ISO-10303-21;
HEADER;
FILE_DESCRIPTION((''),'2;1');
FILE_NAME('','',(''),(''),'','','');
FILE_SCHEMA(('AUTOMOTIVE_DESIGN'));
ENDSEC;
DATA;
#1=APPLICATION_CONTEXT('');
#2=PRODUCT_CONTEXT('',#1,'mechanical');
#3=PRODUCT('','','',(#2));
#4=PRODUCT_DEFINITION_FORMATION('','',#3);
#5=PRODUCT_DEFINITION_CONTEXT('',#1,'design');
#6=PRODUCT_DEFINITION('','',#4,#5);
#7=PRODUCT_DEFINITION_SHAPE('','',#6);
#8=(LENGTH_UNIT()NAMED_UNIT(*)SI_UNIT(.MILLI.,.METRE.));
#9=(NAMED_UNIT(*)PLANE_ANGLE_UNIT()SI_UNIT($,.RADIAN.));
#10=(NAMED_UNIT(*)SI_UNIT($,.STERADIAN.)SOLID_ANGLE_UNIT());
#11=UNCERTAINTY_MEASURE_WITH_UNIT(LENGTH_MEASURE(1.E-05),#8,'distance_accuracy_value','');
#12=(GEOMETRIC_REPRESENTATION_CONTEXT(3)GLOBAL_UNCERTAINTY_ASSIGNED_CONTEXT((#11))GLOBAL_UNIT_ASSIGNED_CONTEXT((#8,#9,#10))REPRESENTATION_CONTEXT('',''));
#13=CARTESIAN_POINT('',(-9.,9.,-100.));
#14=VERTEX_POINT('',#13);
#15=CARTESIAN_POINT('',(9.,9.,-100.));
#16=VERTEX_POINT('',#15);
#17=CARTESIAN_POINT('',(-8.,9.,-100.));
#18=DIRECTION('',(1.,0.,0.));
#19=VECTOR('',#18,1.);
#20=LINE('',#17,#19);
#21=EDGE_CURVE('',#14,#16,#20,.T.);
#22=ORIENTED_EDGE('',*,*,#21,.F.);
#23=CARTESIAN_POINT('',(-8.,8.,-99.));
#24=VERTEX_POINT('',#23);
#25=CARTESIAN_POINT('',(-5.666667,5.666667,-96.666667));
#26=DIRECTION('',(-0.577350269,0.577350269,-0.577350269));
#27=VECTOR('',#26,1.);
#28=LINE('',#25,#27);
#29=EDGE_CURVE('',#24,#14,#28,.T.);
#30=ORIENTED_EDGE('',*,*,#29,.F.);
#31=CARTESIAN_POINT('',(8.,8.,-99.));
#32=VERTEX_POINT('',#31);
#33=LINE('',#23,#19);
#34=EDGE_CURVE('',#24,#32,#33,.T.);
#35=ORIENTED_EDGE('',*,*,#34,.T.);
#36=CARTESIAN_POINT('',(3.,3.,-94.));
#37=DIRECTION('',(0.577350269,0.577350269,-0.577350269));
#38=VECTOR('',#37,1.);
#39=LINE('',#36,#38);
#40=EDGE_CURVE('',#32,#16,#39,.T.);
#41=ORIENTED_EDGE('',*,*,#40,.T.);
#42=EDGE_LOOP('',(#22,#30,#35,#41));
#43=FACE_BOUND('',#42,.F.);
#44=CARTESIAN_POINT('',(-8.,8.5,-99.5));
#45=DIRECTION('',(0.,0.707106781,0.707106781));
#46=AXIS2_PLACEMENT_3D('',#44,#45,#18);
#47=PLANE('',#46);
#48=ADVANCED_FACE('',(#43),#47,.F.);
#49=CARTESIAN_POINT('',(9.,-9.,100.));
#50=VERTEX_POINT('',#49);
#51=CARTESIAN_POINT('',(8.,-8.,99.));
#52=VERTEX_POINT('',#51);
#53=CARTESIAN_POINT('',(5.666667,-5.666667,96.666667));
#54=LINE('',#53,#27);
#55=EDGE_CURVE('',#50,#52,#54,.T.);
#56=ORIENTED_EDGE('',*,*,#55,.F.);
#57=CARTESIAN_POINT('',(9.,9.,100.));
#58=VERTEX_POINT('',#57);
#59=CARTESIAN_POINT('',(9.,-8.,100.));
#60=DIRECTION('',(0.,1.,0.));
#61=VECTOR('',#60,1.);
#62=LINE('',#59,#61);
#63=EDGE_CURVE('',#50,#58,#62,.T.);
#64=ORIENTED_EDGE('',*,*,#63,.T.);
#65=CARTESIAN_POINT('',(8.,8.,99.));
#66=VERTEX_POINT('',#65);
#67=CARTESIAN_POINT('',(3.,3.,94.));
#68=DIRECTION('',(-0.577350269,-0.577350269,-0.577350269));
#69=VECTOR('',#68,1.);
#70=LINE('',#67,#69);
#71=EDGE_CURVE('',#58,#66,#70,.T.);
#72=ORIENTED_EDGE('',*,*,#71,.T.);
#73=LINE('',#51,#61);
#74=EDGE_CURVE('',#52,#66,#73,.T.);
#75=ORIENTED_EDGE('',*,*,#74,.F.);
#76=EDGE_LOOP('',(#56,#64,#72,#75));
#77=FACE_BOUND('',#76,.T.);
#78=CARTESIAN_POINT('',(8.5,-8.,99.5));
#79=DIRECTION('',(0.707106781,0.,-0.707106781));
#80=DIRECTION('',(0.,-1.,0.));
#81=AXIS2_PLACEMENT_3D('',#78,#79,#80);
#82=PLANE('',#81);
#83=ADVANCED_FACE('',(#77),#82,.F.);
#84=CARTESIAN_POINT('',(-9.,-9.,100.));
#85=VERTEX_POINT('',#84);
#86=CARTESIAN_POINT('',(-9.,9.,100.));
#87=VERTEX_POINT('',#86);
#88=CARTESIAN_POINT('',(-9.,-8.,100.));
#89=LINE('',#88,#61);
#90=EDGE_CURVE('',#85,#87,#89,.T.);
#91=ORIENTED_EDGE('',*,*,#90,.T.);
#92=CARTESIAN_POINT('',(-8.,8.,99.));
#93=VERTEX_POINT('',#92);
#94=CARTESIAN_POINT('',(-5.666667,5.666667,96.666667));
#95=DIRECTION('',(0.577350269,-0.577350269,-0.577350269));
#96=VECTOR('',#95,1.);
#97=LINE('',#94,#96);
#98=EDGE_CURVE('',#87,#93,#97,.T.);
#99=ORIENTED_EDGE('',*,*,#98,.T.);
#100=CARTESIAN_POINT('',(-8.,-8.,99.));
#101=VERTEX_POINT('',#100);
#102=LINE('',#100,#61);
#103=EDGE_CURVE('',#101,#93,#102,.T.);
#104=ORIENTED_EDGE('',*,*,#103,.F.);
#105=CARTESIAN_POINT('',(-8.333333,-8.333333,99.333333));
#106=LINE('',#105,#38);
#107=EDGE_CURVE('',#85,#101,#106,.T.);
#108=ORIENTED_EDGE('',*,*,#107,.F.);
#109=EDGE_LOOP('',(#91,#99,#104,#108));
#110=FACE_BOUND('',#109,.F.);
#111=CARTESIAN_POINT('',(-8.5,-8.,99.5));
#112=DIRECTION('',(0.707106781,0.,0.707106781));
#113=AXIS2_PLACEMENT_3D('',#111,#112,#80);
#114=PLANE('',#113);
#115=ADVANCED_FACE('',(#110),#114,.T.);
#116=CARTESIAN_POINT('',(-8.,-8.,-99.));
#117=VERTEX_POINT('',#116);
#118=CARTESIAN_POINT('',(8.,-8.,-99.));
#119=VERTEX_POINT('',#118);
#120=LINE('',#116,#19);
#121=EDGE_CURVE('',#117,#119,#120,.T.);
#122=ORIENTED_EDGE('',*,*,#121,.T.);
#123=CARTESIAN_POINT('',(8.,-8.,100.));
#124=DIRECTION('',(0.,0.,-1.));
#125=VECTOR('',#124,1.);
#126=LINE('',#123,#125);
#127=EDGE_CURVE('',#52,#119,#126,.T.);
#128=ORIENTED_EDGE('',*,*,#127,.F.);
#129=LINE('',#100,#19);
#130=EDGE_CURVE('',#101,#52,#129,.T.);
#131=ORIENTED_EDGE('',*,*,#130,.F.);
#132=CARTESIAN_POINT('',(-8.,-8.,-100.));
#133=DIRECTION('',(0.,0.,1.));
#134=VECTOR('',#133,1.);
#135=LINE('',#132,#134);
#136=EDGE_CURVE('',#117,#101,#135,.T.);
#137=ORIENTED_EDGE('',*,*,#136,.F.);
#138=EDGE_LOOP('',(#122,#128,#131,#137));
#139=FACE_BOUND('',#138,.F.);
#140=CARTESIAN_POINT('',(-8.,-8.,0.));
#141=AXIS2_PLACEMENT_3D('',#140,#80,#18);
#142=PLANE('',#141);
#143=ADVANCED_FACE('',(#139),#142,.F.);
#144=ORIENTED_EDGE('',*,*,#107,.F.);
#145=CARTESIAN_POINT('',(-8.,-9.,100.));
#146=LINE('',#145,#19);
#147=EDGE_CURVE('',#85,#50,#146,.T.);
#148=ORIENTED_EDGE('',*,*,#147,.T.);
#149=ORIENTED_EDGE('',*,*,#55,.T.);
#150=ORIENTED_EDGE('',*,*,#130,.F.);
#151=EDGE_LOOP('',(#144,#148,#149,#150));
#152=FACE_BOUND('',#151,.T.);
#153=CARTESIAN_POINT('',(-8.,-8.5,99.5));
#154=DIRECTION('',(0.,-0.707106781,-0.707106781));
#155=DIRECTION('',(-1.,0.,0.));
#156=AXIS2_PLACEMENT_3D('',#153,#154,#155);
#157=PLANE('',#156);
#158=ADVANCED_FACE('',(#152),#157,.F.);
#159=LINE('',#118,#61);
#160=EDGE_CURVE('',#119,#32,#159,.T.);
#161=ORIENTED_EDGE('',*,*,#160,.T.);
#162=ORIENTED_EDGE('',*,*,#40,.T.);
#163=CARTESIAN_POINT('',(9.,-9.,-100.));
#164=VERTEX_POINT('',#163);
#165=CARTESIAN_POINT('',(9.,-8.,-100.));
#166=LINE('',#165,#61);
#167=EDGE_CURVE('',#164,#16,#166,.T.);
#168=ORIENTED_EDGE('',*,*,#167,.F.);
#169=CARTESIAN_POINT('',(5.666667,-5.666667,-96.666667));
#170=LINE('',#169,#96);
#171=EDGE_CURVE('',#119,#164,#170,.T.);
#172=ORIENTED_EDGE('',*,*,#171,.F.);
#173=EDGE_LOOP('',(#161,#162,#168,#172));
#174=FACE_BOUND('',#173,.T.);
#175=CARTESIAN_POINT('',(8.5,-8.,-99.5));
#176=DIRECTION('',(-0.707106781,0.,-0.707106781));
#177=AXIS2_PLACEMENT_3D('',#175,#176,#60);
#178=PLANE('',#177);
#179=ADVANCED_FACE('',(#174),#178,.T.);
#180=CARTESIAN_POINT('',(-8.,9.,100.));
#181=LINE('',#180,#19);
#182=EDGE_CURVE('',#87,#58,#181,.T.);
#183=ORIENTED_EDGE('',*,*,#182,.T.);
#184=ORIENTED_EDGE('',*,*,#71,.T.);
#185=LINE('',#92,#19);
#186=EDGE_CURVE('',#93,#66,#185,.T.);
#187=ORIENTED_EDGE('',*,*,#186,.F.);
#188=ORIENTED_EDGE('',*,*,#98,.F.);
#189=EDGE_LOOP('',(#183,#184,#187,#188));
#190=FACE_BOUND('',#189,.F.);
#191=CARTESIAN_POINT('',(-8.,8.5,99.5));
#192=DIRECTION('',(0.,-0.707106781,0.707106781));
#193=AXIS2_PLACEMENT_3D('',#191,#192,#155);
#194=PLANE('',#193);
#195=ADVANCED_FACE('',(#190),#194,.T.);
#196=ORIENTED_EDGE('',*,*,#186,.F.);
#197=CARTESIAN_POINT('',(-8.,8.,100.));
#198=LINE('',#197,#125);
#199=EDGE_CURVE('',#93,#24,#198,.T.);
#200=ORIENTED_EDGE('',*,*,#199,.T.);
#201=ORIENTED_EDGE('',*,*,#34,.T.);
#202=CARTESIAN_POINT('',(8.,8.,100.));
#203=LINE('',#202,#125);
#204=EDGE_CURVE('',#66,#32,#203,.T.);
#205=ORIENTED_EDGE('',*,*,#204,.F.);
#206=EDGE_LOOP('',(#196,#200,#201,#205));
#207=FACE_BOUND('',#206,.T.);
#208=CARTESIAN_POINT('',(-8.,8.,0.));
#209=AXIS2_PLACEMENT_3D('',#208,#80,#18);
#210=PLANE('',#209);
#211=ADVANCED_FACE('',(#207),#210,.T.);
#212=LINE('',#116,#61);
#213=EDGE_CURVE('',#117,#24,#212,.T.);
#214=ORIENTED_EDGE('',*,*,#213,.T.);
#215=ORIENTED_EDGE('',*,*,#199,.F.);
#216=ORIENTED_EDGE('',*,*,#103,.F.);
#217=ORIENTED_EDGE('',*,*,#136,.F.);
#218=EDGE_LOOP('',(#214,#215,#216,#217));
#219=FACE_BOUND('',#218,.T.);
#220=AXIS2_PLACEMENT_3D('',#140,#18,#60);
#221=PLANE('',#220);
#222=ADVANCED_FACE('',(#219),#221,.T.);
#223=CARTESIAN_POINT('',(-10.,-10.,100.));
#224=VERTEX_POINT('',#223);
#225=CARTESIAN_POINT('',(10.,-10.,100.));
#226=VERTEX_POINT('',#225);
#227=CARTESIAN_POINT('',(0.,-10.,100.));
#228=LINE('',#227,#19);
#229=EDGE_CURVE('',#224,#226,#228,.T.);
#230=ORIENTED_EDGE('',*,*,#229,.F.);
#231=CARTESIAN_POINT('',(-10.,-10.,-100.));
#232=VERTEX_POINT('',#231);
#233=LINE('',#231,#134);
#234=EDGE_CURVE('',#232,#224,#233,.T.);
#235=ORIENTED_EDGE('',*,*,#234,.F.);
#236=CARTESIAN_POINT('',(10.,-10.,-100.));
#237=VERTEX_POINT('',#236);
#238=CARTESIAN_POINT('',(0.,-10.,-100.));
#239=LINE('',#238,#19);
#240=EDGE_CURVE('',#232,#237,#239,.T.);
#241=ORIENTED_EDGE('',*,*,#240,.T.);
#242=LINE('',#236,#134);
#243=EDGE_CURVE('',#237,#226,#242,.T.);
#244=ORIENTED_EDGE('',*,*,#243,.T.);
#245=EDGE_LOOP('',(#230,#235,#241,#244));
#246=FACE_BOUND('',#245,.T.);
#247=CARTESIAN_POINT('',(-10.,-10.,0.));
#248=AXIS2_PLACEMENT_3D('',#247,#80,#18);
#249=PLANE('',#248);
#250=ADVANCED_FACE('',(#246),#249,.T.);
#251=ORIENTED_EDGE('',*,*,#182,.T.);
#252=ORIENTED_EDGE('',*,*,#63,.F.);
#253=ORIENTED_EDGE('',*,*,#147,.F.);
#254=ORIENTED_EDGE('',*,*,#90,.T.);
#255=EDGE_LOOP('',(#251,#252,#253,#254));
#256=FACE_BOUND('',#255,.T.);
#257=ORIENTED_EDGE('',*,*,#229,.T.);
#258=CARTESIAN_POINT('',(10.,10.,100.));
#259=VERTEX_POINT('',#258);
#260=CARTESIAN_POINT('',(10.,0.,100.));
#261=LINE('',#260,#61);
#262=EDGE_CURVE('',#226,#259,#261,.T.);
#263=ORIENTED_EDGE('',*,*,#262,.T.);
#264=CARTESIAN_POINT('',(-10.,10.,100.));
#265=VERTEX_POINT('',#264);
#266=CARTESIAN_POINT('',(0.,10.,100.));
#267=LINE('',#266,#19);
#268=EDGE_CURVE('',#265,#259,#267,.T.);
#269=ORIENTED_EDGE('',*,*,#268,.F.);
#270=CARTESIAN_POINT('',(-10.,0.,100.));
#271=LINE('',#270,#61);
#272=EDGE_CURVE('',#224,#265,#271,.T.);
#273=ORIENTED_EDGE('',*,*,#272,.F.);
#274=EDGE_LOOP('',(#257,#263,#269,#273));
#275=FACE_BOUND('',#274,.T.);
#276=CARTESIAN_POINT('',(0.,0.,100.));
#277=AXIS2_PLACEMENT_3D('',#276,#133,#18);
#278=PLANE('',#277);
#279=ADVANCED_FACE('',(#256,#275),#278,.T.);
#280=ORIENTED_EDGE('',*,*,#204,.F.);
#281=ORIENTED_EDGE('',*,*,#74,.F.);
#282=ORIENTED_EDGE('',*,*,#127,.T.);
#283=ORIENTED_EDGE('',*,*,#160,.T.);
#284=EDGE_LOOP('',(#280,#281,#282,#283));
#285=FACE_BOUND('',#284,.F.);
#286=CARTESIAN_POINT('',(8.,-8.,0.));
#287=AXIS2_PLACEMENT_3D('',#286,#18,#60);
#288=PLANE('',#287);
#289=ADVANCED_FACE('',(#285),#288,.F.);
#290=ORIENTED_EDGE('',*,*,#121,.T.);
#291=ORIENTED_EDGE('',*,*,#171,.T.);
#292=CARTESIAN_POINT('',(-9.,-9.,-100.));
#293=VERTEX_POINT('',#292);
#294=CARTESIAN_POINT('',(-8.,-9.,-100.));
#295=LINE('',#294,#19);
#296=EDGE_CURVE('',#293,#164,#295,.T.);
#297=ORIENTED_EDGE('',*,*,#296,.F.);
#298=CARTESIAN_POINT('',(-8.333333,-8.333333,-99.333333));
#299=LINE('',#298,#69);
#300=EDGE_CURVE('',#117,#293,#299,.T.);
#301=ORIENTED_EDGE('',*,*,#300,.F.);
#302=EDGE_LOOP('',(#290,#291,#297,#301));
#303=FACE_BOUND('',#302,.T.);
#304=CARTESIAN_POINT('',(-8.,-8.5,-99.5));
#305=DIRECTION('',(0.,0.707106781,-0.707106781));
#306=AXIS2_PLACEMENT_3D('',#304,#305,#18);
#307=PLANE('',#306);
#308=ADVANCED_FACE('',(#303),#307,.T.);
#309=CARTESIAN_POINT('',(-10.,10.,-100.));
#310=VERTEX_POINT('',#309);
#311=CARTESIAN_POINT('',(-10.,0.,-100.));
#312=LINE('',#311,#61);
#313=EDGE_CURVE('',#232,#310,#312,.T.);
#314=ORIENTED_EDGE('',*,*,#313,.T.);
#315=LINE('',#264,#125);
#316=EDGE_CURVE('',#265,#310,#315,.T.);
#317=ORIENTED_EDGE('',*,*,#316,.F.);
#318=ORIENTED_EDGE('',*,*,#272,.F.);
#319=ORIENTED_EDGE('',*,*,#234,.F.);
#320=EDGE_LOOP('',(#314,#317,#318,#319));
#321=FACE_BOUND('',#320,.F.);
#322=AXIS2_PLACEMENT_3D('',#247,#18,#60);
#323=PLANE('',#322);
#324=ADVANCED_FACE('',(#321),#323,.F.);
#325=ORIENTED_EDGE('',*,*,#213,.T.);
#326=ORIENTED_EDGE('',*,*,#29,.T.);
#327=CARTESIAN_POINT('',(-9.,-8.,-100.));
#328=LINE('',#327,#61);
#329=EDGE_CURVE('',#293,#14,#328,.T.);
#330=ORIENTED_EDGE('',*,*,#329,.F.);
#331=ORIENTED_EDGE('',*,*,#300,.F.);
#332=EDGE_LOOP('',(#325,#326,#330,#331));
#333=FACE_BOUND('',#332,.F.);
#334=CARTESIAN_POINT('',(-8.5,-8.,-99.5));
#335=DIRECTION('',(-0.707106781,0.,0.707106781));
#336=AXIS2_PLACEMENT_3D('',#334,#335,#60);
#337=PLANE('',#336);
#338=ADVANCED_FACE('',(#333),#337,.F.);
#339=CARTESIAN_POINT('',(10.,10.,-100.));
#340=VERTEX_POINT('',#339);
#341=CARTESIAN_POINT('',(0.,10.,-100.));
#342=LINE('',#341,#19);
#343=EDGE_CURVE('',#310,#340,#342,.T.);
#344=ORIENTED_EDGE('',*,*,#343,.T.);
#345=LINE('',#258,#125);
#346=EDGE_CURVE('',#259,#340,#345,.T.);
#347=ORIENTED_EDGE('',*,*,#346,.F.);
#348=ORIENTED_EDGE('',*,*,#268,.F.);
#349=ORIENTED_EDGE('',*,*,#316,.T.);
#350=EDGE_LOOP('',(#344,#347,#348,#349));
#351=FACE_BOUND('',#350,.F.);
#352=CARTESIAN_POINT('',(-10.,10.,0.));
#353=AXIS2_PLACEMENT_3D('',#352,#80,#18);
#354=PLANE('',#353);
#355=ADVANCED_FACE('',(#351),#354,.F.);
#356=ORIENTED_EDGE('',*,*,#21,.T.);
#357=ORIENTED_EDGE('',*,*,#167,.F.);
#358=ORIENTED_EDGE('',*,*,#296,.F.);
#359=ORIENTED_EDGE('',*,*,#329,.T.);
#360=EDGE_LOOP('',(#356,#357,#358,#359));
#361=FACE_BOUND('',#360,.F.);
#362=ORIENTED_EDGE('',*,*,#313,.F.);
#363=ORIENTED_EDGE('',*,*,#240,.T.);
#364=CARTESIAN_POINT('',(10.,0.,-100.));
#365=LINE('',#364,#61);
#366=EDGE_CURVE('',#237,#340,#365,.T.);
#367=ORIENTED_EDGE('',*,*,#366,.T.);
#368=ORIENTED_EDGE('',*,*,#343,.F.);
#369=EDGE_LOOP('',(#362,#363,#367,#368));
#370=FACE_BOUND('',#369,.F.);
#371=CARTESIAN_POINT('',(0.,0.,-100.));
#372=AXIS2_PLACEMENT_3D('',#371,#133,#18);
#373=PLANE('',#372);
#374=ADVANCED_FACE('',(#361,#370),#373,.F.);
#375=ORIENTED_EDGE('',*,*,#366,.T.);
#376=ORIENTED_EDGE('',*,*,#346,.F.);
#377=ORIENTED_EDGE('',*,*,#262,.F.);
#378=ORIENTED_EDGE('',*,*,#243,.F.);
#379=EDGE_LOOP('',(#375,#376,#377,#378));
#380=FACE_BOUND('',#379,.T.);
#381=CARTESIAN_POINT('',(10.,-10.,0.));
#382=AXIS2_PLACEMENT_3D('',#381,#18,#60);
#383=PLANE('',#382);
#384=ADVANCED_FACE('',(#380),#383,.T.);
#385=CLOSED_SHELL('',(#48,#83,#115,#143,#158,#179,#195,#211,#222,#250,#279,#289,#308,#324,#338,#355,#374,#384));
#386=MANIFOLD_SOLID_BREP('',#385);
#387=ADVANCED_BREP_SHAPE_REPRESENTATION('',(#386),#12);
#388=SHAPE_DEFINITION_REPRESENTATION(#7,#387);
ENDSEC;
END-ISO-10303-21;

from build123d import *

# Parameters (mm, degrees)
F0_W     = 20
F0_H     = 20
F0_W_2   = 16
F0_H_2   = 16
F1_DEPTH = 100
F2_SIZE  = 1


with BuildPart() as f1:
    # F0 (on Top) → F1 (new body, symmetric)
    with BuildSketch(Plane.XY):
        Rectangle(F0_W, F0_H)
        Rectangle(F0_W_2, F0_H_2, mode=Mode.SUBTRACT)
    extrude(amount=F1_DEPTH, both=True)

    # F2
    f2_edges = [f1.edges().sort_by_distance(p)[0] for p in [
        (0, 8, 100),
        (-8, 0, 100),
        (8, 0, 100),
        (0, -8, 100),
        (0, 8, -100),
        (8, 0, -100),
        (0, -8, -100),
        (-8, 0, -100),
    ]]
    chamfer(f2_edges, length=F2_SIZE)


solid = f1.part
